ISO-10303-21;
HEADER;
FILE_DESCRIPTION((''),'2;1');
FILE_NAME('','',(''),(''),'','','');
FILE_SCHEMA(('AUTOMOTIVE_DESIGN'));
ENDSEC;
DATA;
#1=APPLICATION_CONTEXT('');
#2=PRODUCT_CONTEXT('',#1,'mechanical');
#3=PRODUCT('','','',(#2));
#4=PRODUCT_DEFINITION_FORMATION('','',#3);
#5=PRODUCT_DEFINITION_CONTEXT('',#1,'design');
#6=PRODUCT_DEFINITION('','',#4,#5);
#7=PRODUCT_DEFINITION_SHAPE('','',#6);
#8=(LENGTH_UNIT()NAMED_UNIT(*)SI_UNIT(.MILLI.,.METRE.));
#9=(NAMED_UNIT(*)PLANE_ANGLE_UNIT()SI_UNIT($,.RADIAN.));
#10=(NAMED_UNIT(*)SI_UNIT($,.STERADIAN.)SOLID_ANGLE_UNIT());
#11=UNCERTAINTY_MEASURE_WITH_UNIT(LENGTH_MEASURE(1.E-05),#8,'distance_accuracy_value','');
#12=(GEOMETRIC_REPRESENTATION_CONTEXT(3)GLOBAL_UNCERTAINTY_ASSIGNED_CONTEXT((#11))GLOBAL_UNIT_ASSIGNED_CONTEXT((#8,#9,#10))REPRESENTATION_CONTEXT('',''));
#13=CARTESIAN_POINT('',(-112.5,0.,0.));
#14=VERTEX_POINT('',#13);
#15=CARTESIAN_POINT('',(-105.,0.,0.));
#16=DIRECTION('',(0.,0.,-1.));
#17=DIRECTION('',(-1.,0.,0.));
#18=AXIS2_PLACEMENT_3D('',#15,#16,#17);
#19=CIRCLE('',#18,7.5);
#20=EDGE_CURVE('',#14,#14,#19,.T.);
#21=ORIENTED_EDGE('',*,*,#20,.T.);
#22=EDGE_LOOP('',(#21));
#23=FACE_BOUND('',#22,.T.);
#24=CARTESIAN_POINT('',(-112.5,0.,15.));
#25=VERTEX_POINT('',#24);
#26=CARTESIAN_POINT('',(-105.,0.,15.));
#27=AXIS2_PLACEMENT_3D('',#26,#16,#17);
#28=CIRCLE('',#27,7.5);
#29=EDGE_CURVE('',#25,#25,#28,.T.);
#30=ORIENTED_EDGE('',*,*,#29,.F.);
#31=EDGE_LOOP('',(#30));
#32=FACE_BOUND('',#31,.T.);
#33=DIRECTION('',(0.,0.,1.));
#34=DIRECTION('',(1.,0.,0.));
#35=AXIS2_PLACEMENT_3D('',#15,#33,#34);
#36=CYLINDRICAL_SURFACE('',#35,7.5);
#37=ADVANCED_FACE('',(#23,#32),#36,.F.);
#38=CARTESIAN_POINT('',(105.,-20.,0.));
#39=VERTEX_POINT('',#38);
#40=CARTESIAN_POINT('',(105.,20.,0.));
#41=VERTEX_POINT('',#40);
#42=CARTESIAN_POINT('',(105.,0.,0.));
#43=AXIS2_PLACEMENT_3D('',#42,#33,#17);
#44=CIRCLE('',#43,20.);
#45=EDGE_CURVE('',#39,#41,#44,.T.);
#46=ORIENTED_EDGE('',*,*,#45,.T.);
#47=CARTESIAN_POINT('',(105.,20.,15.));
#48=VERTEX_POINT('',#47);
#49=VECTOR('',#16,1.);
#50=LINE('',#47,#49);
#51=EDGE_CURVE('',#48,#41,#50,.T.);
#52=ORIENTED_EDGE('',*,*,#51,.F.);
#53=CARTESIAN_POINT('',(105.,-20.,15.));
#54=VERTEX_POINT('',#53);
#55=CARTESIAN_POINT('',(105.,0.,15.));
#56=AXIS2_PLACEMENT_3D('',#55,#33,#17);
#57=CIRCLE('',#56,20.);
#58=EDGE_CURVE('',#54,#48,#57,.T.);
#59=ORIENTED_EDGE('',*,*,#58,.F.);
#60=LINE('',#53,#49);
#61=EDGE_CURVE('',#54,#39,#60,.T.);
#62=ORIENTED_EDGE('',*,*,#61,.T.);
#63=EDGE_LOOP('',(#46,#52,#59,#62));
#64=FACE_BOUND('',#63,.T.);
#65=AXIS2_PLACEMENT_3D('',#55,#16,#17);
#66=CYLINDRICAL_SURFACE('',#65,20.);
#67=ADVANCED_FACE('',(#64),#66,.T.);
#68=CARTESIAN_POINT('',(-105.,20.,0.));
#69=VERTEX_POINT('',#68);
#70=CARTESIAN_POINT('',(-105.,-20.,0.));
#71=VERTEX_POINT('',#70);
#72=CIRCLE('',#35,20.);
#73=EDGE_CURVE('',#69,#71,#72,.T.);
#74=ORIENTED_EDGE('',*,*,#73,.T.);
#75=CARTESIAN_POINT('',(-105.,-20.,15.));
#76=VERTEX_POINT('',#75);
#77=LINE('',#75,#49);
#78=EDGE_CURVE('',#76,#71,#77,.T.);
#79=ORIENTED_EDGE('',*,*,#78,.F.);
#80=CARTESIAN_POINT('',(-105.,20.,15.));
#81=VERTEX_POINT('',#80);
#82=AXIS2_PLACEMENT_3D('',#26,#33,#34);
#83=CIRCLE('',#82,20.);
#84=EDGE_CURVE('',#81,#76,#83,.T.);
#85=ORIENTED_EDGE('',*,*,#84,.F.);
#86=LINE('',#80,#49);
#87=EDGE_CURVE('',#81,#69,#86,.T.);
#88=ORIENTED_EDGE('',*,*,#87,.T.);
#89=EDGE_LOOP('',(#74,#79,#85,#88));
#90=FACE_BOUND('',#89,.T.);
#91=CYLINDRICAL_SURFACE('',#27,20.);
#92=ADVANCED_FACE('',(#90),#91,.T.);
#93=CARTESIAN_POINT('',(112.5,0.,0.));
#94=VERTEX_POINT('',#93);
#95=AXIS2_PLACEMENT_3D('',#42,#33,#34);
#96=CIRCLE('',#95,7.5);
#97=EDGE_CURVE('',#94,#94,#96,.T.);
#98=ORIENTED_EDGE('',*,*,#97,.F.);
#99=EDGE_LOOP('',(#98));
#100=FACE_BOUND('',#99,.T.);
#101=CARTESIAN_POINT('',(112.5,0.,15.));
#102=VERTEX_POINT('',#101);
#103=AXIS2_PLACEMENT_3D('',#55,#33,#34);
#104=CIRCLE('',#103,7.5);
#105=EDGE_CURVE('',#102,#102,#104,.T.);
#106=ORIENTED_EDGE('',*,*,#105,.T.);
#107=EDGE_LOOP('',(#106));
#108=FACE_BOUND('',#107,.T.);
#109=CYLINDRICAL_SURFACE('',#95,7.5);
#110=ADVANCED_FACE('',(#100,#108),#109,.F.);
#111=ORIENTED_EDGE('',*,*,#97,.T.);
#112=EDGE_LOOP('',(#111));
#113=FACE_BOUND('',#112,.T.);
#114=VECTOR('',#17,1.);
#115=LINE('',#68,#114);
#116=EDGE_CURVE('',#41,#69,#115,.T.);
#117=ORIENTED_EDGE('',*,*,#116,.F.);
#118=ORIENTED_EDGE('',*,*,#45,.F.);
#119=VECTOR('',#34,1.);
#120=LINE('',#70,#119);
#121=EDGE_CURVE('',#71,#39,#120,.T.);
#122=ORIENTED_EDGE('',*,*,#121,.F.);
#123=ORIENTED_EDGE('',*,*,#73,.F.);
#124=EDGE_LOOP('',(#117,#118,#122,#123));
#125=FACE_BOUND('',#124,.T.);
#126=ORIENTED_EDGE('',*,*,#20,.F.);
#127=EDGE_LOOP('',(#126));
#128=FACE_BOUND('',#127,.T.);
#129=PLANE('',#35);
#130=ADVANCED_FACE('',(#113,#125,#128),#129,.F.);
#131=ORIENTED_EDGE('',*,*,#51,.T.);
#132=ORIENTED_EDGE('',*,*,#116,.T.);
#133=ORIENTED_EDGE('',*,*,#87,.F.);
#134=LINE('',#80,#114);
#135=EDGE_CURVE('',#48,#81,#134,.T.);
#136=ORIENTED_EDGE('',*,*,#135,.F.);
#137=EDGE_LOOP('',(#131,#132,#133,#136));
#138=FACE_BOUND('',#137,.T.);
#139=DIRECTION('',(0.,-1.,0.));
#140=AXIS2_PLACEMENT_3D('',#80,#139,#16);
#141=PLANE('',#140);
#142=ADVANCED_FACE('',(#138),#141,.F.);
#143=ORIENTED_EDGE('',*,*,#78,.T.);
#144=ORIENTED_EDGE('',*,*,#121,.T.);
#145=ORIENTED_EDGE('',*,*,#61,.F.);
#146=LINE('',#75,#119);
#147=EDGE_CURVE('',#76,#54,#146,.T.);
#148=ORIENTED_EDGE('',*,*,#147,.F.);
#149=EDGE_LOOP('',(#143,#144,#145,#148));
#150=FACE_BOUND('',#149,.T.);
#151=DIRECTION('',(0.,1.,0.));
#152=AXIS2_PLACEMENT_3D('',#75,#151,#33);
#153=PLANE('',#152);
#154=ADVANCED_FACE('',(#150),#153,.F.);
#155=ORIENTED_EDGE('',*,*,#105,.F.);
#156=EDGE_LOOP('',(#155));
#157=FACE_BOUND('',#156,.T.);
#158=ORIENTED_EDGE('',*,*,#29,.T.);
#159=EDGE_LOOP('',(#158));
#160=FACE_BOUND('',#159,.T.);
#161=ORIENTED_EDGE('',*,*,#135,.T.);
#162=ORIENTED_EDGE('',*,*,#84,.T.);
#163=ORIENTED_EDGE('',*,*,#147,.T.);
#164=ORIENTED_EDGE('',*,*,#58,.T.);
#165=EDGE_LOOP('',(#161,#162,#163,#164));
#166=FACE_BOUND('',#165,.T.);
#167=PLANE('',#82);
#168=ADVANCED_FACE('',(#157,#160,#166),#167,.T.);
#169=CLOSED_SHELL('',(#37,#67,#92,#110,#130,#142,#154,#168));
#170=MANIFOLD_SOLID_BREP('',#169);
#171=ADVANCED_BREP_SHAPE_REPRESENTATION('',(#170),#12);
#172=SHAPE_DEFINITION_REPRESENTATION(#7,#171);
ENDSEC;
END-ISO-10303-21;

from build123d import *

# Parameters (mm, degrees)
BOSS_EXTRUDE1_DEPTH = 15
SKETCH4_R           = 7.5
CUT_EXTRUDE1_DEPTH  = 128.47548784


with BuildPart() as part:
    # Sketch1 → Boss-Extrude1 (new body)
    with BuildSketch(Plane.XY):
        with BuildLine():
            Line((-105, -20), (105, -20))
            ThreePointArc((105, -20), (125, 0), (105, 20))
            Line((105, 20), (-105, 20))
            ThreePointArc((-105, 20), (-125, 0), (-105, -20))
        make_face()
    extrude(amount=BOSS_EXTRUDE1_DEPTH)

    # Sketch4 → Cut-Extrude1 (cut, through all)
    with BuildSketch(Plane.XY.offset(15)):
        with Locations((105, 0)):
            Circle(SKETCH4_R)
    cut_extrude1 = extrude(amount=-CUT_EXTRUDE1_DEPTH, mode=Mode.SUBTRACT)

    # Mirror1: Cut-Extrude1 across plane
    add(cut_extrude1.mirror(Plane(origin=(0, 0, 0), x_dir=(0, 0, 1), z_dir=(1, 0, 0))), mode=Mode.SUBTRACT)


solid = part.part
